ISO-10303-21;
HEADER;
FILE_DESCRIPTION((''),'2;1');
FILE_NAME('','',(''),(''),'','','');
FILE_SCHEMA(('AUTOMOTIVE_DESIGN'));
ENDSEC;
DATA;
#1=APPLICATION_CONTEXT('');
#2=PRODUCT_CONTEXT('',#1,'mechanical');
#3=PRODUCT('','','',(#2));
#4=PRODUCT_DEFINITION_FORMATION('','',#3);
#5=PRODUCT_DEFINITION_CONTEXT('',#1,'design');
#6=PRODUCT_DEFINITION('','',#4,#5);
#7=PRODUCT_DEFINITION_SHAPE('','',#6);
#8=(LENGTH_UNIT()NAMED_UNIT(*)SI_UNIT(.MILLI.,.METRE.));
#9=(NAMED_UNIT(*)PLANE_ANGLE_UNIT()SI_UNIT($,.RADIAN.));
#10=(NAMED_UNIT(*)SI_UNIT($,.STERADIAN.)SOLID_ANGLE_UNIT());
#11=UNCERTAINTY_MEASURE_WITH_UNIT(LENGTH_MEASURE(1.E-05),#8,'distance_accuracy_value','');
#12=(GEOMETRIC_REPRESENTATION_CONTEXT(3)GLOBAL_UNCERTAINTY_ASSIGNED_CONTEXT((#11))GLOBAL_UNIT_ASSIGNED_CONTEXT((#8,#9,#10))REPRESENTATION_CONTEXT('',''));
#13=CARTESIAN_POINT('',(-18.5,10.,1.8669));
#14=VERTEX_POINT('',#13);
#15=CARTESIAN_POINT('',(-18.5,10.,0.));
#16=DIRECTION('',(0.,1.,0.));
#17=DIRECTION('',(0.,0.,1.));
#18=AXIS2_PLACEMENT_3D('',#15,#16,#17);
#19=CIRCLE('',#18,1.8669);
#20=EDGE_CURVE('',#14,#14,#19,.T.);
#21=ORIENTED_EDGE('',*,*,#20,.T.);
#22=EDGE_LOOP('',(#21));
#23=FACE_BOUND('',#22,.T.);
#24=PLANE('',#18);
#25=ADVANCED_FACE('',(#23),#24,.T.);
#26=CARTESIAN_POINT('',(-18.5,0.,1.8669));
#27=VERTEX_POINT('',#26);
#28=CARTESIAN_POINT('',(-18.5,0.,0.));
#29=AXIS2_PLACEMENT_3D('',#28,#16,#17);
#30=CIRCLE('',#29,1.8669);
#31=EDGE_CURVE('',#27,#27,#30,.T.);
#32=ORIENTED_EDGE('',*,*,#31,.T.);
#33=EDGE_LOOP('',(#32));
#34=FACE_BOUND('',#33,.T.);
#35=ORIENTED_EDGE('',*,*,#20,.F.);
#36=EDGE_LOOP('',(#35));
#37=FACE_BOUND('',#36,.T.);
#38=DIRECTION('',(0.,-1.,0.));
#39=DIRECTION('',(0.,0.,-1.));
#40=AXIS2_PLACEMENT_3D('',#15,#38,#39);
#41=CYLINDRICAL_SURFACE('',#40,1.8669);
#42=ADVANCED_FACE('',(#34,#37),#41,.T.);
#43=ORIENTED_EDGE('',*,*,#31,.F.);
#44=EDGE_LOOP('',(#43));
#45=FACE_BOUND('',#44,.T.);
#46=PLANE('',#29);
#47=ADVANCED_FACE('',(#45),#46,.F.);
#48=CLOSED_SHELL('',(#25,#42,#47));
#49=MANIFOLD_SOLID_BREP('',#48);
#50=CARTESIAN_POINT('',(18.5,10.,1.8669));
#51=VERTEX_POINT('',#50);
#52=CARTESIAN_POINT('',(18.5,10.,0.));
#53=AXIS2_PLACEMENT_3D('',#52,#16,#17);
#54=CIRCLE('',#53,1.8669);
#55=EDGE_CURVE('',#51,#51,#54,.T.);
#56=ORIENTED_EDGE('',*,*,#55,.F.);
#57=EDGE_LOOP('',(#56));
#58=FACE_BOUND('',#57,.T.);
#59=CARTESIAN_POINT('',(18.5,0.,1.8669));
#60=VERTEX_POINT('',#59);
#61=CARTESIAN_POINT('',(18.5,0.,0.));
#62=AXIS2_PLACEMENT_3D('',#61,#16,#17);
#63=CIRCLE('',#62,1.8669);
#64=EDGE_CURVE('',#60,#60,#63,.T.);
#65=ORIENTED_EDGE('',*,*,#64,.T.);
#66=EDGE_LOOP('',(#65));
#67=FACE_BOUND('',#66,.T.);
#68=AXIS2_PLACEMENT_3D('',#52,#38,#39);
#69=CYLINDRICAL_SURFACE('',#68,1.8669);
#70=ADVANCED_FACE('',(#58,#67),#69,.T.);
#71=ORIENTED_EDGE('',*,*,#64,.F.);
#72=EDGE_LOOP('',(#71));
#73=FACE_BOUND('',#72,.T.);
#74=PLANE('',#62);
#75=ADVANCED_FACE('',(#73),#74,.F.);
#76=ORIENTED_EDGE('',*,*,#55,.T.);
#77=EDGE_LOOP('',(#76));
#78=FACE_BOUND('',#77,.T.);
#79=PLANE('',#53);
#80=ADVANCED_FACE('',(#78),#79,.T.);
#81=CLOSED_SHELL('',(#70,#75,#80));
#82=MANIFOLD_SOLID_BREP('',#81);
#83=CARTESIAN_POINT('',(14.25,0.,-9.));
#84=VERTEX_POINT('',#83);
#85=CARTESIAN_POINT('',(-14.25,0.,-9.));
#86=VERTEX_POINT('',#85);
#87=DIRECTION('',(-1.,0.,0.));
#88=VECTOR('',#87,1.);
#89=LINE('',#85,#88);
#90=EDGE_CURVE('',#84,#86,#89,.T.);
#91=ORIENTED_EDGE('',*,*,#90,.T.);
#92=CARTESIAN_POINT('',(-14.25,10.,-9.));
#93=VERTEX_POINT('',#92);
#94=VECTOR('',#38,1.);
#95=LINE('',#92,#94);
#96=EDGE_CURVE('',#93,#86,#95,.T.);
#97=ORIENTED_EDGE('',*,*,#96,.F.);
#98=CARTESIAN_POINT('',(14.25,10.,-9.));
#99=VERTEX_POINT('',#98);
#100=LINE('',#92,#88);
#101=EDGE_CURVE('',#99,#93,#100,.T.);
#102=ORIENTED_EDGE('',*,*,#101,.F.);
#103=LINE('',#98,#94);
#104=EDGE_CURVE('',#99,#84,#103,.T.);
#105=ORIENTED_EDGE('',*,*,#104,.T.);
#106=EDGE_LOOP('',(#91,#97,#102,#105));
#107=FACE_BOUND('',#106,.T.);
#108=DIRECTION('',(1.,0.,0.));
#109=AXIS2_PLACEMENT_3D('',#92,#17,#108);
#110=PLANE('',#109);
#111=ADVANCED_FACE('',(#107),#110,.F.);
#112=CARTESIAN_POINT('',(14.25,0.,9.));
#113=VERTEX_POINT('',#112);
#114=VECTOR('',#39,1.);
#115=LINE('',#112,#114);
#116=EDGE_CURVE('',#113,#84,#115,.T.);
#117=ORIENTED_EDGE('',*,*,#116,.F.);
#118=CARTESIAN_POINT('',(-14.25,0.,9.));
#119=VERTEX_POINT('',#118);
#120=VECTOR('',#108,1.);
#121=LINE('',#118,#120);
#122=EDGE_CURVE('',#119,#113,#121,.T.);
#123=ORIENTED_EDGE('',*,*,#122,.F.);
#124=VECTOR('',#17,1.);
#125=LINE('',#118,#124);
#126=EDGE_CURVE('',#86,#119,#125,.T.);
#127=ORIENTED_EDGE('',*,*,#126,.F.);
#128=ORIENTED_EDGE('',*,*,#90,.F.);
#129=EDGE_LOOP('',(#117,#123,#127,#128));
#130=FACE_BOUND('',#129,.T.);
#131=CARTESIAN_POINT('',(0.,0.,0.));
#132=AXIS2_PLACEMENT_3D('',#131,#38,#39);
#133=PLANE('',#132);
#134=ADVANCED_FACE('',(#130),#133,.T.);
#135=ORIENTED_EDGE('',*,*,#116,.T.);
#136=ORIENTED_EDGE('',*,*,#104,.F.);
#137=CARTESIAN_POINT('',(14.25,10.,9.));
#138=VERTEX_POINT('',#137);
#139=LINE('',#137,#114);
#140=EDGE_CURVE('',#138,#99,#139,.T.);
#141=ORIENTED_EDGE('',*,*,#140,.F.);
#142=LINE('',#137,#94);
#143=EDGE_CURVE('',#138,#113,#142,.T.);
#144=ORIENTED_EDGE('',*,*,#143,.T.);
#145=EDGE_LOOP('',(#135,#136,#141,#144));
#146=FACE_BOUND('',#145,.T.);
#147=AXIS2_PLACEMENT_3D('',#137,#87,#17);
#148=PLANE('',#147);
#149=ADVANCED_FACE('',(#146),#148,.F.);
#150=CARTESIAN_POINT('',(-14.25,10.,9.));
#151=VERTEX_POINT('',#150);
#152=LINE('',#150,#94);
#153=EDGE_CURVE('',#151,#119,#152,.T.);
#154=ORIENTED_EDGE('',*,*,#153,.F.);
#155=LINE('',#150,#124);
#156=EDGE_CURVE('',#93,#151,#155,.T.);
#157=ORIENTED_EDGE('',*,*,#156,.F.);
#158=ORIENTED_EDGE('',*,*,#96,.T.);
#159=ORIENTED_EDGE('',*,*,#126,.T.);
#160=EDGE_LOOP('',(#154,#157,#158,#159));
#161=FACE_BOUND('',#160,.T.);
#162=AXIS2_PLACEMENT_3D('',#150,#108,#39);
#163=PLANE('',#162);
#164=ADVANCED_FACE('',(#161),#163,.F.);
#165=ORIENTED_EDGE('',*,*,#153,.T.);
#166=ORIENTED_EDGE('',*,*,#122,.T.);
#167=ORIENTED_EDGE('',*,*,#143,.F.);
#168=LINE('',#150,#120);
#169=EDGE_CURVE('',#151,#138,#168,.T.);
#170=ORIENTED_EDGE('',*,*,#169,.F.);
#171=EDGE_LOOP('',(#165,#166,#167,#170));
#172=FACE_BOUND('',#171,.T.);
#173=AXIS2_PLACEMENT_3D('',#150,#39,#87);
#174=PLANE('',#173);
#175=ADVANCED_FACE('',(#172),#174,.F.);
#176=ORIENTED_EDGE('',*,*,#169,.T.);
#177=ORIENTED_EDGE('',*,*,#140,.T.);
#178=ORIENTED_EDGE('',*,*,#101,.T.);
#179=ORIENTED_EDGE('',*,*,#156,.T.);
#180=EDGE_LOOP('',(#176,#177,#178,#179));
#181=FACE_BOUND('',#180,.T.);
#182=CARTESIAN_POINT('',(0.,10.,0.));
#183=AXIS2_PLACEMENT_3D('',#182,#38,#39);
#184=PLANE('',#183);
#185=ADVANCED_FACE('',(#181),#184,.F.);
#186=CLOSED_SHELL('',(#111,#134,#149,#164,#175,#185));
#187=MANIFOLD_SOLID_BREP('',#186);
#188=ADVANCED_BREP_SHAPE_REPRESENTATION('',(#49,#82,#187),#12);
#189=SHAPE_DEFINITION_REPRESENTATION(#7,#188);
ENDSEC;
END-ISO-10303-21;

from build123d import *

# Parameters (mm, degrees)
SKETCH2_R             = 1.8669
BOSS_EXTRUDE1_DEPTH   = 10
BOSS_EXTRUDE1_2_DEPTH = 10
SKETCH2_W             = 28.5
SKETCH2_H             = 18
BOSS_EXTRUDE1_3_DEPTH = 10


with BuildPart() as part:
    # Sketch2 → Boss-Extrude1 (new body)
    with BuildSketch(Plane(origin=(0, 0, 0), x_dir=(1, 0, 0), z_dir=(0, 1, 0))):
        with Locations((18.5, 0)):
            Circle(SKETCH2_R)
    extrude(amount=BOSS_EXTRUDE1_DEPTH)


with BuildPart() as body_2:
    # Sketch2 → Boss-Extrude1 2 (new body)
    with BuildSketch(Plane(origin=(0, 0, 0), x_dir=(1, 0, 0), z_dir=(0, 1, 0))):
        with Locations((-18.5, 0)):
            Circle(SKETCH2_R)
    extrude(amount=BOSS_EXTRUDE1_2_DEPTH)


with BuildPart() as body_3:
    # Sketch2 → Boss-Extrude1 3 (new body)
    with BuildSketch(Plane(origin=(0, 0, 0), x_dir=(1, 0, 0), z_dir=(0, 1, 0))):
        Rectangle(SKETCH2_W, SKETCH2_H)
    extrude(amount=BOSS_EXTRUDE1_3_DEPTH)


solid = Compound([part.part, body_2.part, body_3.part])
